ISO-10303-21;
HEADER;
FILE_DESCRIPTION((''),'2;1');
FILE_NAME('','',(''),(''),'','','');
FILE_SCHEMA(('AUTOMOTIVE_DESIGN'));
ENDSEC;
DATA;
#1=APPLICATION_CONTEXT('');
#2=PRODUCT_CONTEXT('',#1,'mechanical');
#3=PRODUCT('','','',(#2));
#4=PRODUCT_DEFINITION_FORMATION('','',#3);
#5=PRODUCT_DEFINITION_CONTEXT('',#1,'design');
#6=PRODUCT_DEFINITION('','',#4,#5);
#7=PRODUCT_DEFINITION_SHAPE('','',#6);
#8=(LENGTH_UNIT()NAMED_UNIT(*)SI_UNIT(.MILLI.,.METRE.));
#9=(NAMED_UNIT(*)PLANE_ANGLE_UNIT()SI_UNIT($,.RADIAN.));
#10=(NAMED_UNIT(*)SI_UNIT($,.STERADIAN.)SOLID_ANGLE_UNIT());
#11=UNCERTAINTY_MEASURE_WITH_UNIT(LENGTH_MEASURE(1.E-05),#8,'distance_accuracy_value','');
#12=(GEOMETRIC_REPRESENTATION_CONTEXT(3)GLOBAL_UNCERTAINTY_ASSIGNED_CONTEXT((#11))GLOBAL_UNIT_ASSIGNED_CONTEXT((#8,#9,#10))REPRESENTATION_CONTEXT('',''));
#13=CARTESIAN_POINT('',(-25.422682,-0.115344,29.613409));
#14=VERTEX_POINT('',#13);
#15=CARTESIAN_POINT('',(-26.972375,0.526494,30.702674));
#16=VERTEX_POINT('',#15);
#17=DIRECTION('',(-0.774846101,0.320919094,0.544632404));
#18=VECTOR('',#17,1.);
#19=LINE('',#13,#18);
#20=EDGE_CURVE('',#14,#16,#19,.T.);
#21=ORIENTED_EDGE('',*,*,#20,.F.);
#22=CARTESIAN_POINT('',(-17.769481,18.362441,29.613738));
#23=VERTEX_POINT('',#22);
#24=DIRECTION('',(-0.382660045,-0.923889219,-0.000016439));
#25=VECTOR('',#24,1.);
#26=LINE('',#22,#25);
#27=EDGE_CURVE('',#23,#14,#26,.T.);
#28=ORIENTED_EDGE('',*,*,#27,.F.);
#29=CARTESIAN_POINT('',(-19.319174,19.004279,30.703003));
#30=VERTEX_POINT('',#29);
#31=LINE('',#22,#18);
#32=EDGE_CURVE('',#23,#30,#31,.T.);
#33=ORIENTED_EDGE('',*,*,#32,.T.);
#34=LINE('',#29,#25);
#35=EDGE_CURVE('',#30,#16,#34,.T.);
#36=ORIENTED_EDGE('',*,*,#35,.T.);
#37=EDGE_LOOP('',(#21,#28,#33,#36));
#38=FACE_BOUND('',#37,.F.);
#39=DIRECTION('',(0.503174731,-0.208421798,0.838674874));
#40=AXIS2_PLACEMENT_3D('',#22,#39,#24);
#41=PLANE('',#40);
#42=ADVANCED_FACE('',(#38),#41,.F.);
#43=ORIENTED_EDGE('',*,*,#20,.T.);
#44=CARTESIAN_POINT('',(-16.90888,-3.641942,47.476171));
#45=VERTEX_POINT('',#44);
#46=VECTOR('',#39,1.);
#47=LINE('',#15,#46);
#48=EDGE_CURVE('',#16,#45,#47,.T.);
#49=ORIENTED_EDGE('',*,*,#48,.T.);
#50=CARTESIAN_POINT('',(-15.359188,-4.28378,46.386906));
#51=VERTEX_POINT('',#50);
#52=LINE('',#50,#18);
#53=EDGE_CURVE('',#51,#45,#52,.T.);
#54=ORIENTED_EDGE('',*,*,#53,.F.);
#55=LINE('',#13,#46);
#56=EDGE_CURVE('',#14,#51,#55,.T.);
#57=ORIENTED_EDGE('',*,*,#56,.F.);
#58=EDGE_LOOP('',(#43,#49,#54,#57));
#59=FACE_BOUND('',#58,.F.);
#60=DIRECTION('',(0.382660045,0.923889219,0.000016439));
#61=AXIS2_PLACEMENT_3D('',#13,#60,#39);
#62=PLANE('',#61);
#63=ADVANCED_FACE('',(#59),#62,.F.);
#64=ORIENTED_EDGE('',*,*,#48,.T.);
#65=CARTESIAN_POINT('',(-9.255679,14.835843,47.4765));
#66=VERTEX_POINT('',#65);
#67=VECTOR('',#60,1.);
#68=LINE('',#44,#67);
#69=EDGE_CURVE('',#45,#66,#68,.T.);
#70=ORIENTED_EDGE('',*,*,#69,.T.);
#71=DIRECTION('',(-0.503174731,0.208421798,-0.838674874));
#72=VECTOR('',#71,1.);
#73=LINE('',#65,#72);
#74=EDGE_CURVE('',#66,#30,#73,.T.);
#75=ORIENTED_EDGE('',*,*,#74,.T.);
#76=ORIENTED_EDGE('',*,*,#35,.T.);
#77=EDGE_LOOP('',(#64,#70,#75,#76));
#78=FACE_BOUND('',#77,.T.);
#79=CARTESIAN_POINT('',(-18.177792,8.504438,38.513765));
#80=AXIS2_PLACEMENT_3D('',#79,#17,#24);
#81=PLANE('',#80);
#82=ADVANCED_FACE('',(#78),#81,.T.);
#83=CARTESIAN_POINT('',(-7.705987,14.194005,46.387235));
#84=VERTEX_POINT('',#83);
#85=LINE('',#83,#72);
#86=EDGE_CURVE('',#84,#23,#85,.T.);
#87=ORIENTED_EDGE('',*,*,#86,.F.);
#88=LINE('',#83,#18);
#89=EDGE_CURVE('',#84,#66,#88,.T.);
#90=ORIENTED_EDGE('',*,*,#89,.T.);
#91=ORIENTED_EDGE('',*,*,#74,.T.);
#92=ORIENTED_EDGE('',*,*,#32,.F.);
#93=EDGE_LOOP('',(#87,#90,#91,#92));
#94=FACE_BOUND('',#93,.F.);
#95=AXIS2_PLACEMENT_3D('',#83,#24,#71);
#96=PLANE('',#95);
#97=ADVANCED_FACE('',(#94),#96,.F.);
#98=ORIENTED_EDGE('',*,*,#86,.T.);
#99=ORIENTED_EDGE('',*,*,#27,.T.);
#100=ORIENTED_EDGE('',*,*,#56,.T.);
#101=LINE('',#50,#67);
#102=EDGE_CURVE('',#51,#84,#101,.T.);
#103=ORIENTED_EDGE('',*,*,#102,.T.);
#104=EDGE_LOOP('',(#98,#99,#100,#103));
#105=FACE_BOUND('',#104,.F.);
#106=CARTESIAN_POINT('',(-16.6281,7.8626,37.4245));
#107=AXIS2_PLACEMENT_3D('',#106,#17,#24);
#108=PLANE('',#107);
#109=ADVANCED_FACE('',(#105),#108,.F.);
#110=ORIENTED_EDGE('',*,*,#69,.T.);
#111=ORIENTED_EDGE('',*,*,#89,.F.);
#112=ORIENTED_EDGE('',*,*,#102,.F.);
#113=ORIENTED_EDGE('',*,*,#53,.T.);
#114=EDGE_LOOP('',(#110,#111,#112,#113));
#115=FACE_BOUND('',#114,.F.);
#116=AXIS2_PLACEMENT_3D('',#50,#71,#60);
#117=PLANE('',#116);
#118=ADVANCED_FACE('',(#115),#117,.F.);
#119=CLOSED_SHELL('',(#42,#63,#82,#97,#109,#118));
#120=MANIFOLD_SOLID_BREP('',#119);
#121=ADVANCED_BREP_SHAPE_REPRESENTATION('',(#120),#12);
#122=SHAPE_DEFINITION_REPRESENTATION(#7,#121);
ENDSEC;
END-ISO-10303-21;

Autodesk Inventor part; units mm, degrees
ref_plane "YZ Plane" through (0, 0, 0) normal (1, 0, 0) x (0, 1, 0)
ref_plane "XZ Plane" through (0, 0, 0) normal (0, 1, 0) x (-1, 0, 0)
ref_plane "XY Plane" through (0, 0, 0) normal (0, 0, 1) x (1, 0, 0)
ref_plane "Płaszczyzna konstrukcyjna1" through (49.6691, -19.5986, -3) normal (0.3827, 0.9239, 0) x (-0.9239, 0.3827, 0)
sketch "Szkic1" plane through (49.6691, -19.5986, -3) normal (0.3827, 0.9239, 0) x (-0.9239, 0.3827, 0)
  line L0 (0, 0) -> (66.0187, 0) construction
  line L1 (53.7615, 0) -> (97.5647, 28.4461) construction
  line L2 (53.7615, 0) -> (72.5205, 42.1334) construction
  line L3 (0, 0) -> (66.0187, 0) construction
  point P0 (53.3884, 3)
  point P1 (71.7596, 40.4245)
  dimension "d0" = 33
  dimension "d1" = 66
ref_plane "Płaszczyzna konstrukcyjna2" through (-16.6281, 7.8626, 37.4245) normal (-0.7748, 0.3209, 0.5446) x (-0.3827, -0.9239, 0)
ref_plane "Płaszczyzna konstrukcyjna3" through (0, 0, 0) normal (0, 0, 1) x (1, 0, 0)
sketch "Szkic2" plane through (0, 0, 0) normal (0, 0, 1) x (1, 0, 0)
  point P0 (0, 0)
sketch "Szkic3" plane through (-16.6281, 7.8626, 37.4245) normal (-0.7748, 0.3209, 0.5446) x (-0.3827, -0.9239, 0)
  line L0 (10.7362, 10.6866) -> (-9.2638, 10.6866)
  line L1 (-9.2638, 10.6866) -> (-9.2638, -9.3134)
  line L2 (-9.2638, -9.3134) -> (10.7362, -9.3134)
  line L3 (10.7362, -9.3134) -> (10.7362, 10.6866)
  point P0 (0.9008, -21.3811)
  dimension "d2" = 20
  dimension "d3" = 20
extrude "Wyciągnięcie proste1" add sketch "Szkic3" along normal blind 2
